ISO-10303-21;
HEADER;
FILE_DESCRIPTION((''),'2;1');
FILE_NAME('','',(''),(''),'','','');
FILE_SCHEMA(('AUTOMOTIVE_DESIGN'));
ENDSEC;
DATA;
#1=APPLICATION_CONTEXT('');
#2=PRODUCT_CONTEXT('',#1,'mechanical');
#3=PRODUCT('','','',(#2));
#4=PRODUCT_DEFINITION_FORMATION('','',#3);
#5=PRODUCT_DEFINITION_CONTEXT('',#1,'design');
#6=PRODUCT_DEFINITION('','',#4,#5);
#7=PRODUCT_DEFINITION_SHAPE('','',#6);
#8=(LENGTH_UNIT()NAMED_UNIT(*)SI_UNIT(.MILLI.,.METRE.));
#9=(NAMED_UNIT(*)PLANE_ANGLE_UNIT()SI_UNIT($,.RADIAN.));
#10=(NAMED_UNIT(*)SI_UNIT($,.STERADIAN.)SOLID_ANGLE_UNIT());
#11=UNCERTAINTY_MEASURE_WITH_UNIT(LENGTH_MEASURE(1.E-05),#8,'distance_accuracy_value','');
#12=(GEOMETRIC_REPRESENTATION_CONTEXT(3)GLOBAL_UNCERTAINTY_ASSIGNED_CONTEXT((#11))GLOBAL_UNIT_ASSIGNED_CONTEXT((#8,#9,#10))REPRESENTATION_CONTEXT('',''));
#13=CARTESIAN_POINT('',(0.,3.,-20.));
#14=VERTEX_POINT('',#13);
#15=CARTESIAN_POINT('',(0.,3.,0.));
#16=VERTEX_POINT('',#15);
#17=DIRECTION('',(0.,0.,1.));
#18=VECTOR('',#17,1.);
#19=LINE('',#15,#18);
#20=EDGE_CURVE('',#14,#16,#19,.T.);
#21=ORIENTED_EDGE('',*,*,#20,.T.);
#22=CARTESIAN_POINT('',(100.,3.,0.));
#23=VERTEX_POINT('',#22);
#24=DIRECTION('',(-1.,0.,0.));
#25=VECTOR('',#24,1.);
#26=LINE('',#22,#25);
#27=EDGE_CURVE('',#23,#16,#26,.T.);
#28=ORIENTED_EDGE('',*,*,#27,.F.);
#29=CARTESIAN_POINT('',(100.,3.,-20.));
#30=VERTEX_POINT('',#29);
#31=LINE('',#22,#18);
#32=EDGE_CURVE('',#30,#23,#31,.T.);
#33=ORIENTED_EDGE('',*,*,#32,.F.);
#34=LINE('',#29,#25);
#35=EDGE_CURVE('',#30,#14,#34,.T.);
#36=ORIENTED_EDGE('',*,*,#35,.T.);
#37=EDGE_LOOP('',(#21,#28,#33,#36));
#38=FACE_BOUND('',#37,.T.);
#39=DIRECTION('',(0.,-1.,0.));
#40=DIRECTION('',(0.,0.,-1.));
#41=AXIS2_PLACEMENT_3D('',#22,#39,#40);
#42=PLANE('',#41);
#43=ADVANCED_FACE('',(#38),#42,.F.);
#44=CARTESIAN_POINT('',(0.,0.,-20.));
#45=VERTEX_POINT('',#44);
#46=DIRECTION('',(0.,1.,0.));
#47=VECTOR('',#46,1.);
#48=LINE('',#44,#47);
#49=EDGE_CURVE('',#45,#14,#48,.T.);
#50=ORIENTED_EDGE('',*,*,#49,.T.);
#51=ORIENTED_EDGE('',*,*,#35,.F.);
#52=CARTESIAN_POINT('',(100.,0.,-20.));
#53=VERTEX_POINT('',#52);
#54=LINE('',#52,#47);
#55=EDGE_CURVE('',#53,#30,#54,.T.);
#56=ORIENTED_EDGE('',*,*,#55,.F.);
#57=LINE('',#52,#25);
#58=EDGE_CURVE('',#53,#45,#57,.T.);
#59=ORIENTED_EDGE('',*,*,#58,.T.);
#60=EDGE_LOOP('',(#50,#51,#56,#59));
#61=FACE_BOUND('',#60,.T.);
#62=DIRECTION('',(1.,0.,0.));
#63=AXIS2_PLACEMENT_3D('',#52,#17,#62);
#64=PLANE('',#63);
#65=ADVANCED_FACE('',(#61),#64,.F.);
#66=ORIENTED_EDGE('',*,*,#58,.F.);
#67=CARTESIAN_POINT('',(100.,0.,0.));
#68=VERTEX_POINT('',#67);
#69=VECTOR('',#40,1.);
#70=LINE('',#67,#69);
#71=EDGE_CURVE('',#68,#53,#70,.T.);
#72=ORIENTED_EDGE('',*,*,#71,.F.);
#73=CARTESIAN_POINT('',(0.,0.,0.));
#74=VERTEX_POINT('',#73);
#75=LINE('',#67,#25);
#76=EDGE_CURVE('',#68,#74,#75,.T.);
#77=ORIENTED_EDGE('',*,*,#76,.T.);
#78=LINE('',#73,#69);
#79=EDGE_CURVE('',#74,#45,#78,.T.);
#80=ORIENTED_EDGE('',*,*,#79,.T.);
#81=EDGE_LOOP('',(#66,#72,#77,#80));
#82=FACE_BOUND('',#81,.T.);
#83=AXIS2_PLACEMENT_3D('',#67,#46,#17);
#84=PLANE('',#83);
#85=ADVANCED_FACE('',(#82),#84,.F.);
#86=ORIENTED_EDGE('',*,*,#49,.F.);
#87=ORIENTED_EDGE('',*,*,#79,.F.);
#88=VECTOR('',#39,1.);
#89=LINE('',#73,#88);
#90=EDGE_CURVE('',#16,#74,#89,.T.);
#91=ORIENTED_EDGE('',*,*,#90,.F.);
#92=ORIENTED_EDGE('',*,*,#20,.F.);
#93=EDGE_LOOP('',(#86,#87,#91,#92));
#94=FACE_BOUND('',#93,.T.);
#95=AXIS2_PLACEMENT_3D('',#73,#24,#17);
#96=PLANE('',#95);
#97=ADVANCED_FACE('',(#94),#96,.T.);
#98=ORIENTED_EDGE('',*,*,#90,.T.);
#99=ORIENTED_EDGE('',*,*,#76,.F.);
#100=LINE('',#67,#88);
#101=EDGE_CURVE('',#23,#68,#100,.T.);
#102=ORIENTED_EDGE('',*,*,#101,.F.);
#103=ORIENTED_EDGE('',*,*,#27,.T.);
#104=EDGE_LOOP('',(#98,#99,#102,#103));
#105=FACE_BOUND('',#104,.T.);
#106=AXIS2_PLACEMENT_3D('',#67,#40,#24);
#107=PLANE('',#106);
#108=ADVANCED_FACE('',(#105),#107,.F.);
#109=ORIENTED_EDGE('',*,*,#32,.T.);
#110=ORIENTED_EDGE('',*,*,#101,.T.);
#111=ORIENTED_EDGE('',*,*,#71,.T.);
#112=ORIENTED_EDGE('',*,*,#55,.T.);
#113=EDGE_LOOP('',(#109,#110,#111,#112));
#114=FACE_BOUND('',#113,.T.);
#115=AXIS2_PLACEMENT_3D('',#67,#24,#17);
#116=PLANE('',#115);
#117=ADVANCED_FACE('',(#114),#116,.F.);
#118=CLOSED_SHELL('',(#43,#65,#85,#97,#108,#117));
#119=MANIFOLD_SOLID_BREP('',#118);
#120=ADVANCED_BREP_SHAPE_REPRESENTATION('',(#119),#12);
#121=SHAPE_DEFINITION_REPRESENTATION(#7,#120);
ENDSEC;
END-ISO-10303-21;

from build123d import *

# Parameters (mm, degrees)
SKETCH_1_W      = 20
SKETCH_1_H      = 3
EXTRUDE_1_DEPTH = 100


with BuildPart() as part:
    # Эскиз1 → Бобышка-Вытянуть1 (new body)
    with BuildSketch(Plane(origin=(0, 0, 0), x_dir=(0, 0, -1), z_dir=(1, 0, 0))):
        with Locations((10, 1.5)):
            Rectangle(SKETCH_1_W, SKETCH_1_H)
    extrude(amount=EXTRUDE_1_DEPTH)


solid = part.part
